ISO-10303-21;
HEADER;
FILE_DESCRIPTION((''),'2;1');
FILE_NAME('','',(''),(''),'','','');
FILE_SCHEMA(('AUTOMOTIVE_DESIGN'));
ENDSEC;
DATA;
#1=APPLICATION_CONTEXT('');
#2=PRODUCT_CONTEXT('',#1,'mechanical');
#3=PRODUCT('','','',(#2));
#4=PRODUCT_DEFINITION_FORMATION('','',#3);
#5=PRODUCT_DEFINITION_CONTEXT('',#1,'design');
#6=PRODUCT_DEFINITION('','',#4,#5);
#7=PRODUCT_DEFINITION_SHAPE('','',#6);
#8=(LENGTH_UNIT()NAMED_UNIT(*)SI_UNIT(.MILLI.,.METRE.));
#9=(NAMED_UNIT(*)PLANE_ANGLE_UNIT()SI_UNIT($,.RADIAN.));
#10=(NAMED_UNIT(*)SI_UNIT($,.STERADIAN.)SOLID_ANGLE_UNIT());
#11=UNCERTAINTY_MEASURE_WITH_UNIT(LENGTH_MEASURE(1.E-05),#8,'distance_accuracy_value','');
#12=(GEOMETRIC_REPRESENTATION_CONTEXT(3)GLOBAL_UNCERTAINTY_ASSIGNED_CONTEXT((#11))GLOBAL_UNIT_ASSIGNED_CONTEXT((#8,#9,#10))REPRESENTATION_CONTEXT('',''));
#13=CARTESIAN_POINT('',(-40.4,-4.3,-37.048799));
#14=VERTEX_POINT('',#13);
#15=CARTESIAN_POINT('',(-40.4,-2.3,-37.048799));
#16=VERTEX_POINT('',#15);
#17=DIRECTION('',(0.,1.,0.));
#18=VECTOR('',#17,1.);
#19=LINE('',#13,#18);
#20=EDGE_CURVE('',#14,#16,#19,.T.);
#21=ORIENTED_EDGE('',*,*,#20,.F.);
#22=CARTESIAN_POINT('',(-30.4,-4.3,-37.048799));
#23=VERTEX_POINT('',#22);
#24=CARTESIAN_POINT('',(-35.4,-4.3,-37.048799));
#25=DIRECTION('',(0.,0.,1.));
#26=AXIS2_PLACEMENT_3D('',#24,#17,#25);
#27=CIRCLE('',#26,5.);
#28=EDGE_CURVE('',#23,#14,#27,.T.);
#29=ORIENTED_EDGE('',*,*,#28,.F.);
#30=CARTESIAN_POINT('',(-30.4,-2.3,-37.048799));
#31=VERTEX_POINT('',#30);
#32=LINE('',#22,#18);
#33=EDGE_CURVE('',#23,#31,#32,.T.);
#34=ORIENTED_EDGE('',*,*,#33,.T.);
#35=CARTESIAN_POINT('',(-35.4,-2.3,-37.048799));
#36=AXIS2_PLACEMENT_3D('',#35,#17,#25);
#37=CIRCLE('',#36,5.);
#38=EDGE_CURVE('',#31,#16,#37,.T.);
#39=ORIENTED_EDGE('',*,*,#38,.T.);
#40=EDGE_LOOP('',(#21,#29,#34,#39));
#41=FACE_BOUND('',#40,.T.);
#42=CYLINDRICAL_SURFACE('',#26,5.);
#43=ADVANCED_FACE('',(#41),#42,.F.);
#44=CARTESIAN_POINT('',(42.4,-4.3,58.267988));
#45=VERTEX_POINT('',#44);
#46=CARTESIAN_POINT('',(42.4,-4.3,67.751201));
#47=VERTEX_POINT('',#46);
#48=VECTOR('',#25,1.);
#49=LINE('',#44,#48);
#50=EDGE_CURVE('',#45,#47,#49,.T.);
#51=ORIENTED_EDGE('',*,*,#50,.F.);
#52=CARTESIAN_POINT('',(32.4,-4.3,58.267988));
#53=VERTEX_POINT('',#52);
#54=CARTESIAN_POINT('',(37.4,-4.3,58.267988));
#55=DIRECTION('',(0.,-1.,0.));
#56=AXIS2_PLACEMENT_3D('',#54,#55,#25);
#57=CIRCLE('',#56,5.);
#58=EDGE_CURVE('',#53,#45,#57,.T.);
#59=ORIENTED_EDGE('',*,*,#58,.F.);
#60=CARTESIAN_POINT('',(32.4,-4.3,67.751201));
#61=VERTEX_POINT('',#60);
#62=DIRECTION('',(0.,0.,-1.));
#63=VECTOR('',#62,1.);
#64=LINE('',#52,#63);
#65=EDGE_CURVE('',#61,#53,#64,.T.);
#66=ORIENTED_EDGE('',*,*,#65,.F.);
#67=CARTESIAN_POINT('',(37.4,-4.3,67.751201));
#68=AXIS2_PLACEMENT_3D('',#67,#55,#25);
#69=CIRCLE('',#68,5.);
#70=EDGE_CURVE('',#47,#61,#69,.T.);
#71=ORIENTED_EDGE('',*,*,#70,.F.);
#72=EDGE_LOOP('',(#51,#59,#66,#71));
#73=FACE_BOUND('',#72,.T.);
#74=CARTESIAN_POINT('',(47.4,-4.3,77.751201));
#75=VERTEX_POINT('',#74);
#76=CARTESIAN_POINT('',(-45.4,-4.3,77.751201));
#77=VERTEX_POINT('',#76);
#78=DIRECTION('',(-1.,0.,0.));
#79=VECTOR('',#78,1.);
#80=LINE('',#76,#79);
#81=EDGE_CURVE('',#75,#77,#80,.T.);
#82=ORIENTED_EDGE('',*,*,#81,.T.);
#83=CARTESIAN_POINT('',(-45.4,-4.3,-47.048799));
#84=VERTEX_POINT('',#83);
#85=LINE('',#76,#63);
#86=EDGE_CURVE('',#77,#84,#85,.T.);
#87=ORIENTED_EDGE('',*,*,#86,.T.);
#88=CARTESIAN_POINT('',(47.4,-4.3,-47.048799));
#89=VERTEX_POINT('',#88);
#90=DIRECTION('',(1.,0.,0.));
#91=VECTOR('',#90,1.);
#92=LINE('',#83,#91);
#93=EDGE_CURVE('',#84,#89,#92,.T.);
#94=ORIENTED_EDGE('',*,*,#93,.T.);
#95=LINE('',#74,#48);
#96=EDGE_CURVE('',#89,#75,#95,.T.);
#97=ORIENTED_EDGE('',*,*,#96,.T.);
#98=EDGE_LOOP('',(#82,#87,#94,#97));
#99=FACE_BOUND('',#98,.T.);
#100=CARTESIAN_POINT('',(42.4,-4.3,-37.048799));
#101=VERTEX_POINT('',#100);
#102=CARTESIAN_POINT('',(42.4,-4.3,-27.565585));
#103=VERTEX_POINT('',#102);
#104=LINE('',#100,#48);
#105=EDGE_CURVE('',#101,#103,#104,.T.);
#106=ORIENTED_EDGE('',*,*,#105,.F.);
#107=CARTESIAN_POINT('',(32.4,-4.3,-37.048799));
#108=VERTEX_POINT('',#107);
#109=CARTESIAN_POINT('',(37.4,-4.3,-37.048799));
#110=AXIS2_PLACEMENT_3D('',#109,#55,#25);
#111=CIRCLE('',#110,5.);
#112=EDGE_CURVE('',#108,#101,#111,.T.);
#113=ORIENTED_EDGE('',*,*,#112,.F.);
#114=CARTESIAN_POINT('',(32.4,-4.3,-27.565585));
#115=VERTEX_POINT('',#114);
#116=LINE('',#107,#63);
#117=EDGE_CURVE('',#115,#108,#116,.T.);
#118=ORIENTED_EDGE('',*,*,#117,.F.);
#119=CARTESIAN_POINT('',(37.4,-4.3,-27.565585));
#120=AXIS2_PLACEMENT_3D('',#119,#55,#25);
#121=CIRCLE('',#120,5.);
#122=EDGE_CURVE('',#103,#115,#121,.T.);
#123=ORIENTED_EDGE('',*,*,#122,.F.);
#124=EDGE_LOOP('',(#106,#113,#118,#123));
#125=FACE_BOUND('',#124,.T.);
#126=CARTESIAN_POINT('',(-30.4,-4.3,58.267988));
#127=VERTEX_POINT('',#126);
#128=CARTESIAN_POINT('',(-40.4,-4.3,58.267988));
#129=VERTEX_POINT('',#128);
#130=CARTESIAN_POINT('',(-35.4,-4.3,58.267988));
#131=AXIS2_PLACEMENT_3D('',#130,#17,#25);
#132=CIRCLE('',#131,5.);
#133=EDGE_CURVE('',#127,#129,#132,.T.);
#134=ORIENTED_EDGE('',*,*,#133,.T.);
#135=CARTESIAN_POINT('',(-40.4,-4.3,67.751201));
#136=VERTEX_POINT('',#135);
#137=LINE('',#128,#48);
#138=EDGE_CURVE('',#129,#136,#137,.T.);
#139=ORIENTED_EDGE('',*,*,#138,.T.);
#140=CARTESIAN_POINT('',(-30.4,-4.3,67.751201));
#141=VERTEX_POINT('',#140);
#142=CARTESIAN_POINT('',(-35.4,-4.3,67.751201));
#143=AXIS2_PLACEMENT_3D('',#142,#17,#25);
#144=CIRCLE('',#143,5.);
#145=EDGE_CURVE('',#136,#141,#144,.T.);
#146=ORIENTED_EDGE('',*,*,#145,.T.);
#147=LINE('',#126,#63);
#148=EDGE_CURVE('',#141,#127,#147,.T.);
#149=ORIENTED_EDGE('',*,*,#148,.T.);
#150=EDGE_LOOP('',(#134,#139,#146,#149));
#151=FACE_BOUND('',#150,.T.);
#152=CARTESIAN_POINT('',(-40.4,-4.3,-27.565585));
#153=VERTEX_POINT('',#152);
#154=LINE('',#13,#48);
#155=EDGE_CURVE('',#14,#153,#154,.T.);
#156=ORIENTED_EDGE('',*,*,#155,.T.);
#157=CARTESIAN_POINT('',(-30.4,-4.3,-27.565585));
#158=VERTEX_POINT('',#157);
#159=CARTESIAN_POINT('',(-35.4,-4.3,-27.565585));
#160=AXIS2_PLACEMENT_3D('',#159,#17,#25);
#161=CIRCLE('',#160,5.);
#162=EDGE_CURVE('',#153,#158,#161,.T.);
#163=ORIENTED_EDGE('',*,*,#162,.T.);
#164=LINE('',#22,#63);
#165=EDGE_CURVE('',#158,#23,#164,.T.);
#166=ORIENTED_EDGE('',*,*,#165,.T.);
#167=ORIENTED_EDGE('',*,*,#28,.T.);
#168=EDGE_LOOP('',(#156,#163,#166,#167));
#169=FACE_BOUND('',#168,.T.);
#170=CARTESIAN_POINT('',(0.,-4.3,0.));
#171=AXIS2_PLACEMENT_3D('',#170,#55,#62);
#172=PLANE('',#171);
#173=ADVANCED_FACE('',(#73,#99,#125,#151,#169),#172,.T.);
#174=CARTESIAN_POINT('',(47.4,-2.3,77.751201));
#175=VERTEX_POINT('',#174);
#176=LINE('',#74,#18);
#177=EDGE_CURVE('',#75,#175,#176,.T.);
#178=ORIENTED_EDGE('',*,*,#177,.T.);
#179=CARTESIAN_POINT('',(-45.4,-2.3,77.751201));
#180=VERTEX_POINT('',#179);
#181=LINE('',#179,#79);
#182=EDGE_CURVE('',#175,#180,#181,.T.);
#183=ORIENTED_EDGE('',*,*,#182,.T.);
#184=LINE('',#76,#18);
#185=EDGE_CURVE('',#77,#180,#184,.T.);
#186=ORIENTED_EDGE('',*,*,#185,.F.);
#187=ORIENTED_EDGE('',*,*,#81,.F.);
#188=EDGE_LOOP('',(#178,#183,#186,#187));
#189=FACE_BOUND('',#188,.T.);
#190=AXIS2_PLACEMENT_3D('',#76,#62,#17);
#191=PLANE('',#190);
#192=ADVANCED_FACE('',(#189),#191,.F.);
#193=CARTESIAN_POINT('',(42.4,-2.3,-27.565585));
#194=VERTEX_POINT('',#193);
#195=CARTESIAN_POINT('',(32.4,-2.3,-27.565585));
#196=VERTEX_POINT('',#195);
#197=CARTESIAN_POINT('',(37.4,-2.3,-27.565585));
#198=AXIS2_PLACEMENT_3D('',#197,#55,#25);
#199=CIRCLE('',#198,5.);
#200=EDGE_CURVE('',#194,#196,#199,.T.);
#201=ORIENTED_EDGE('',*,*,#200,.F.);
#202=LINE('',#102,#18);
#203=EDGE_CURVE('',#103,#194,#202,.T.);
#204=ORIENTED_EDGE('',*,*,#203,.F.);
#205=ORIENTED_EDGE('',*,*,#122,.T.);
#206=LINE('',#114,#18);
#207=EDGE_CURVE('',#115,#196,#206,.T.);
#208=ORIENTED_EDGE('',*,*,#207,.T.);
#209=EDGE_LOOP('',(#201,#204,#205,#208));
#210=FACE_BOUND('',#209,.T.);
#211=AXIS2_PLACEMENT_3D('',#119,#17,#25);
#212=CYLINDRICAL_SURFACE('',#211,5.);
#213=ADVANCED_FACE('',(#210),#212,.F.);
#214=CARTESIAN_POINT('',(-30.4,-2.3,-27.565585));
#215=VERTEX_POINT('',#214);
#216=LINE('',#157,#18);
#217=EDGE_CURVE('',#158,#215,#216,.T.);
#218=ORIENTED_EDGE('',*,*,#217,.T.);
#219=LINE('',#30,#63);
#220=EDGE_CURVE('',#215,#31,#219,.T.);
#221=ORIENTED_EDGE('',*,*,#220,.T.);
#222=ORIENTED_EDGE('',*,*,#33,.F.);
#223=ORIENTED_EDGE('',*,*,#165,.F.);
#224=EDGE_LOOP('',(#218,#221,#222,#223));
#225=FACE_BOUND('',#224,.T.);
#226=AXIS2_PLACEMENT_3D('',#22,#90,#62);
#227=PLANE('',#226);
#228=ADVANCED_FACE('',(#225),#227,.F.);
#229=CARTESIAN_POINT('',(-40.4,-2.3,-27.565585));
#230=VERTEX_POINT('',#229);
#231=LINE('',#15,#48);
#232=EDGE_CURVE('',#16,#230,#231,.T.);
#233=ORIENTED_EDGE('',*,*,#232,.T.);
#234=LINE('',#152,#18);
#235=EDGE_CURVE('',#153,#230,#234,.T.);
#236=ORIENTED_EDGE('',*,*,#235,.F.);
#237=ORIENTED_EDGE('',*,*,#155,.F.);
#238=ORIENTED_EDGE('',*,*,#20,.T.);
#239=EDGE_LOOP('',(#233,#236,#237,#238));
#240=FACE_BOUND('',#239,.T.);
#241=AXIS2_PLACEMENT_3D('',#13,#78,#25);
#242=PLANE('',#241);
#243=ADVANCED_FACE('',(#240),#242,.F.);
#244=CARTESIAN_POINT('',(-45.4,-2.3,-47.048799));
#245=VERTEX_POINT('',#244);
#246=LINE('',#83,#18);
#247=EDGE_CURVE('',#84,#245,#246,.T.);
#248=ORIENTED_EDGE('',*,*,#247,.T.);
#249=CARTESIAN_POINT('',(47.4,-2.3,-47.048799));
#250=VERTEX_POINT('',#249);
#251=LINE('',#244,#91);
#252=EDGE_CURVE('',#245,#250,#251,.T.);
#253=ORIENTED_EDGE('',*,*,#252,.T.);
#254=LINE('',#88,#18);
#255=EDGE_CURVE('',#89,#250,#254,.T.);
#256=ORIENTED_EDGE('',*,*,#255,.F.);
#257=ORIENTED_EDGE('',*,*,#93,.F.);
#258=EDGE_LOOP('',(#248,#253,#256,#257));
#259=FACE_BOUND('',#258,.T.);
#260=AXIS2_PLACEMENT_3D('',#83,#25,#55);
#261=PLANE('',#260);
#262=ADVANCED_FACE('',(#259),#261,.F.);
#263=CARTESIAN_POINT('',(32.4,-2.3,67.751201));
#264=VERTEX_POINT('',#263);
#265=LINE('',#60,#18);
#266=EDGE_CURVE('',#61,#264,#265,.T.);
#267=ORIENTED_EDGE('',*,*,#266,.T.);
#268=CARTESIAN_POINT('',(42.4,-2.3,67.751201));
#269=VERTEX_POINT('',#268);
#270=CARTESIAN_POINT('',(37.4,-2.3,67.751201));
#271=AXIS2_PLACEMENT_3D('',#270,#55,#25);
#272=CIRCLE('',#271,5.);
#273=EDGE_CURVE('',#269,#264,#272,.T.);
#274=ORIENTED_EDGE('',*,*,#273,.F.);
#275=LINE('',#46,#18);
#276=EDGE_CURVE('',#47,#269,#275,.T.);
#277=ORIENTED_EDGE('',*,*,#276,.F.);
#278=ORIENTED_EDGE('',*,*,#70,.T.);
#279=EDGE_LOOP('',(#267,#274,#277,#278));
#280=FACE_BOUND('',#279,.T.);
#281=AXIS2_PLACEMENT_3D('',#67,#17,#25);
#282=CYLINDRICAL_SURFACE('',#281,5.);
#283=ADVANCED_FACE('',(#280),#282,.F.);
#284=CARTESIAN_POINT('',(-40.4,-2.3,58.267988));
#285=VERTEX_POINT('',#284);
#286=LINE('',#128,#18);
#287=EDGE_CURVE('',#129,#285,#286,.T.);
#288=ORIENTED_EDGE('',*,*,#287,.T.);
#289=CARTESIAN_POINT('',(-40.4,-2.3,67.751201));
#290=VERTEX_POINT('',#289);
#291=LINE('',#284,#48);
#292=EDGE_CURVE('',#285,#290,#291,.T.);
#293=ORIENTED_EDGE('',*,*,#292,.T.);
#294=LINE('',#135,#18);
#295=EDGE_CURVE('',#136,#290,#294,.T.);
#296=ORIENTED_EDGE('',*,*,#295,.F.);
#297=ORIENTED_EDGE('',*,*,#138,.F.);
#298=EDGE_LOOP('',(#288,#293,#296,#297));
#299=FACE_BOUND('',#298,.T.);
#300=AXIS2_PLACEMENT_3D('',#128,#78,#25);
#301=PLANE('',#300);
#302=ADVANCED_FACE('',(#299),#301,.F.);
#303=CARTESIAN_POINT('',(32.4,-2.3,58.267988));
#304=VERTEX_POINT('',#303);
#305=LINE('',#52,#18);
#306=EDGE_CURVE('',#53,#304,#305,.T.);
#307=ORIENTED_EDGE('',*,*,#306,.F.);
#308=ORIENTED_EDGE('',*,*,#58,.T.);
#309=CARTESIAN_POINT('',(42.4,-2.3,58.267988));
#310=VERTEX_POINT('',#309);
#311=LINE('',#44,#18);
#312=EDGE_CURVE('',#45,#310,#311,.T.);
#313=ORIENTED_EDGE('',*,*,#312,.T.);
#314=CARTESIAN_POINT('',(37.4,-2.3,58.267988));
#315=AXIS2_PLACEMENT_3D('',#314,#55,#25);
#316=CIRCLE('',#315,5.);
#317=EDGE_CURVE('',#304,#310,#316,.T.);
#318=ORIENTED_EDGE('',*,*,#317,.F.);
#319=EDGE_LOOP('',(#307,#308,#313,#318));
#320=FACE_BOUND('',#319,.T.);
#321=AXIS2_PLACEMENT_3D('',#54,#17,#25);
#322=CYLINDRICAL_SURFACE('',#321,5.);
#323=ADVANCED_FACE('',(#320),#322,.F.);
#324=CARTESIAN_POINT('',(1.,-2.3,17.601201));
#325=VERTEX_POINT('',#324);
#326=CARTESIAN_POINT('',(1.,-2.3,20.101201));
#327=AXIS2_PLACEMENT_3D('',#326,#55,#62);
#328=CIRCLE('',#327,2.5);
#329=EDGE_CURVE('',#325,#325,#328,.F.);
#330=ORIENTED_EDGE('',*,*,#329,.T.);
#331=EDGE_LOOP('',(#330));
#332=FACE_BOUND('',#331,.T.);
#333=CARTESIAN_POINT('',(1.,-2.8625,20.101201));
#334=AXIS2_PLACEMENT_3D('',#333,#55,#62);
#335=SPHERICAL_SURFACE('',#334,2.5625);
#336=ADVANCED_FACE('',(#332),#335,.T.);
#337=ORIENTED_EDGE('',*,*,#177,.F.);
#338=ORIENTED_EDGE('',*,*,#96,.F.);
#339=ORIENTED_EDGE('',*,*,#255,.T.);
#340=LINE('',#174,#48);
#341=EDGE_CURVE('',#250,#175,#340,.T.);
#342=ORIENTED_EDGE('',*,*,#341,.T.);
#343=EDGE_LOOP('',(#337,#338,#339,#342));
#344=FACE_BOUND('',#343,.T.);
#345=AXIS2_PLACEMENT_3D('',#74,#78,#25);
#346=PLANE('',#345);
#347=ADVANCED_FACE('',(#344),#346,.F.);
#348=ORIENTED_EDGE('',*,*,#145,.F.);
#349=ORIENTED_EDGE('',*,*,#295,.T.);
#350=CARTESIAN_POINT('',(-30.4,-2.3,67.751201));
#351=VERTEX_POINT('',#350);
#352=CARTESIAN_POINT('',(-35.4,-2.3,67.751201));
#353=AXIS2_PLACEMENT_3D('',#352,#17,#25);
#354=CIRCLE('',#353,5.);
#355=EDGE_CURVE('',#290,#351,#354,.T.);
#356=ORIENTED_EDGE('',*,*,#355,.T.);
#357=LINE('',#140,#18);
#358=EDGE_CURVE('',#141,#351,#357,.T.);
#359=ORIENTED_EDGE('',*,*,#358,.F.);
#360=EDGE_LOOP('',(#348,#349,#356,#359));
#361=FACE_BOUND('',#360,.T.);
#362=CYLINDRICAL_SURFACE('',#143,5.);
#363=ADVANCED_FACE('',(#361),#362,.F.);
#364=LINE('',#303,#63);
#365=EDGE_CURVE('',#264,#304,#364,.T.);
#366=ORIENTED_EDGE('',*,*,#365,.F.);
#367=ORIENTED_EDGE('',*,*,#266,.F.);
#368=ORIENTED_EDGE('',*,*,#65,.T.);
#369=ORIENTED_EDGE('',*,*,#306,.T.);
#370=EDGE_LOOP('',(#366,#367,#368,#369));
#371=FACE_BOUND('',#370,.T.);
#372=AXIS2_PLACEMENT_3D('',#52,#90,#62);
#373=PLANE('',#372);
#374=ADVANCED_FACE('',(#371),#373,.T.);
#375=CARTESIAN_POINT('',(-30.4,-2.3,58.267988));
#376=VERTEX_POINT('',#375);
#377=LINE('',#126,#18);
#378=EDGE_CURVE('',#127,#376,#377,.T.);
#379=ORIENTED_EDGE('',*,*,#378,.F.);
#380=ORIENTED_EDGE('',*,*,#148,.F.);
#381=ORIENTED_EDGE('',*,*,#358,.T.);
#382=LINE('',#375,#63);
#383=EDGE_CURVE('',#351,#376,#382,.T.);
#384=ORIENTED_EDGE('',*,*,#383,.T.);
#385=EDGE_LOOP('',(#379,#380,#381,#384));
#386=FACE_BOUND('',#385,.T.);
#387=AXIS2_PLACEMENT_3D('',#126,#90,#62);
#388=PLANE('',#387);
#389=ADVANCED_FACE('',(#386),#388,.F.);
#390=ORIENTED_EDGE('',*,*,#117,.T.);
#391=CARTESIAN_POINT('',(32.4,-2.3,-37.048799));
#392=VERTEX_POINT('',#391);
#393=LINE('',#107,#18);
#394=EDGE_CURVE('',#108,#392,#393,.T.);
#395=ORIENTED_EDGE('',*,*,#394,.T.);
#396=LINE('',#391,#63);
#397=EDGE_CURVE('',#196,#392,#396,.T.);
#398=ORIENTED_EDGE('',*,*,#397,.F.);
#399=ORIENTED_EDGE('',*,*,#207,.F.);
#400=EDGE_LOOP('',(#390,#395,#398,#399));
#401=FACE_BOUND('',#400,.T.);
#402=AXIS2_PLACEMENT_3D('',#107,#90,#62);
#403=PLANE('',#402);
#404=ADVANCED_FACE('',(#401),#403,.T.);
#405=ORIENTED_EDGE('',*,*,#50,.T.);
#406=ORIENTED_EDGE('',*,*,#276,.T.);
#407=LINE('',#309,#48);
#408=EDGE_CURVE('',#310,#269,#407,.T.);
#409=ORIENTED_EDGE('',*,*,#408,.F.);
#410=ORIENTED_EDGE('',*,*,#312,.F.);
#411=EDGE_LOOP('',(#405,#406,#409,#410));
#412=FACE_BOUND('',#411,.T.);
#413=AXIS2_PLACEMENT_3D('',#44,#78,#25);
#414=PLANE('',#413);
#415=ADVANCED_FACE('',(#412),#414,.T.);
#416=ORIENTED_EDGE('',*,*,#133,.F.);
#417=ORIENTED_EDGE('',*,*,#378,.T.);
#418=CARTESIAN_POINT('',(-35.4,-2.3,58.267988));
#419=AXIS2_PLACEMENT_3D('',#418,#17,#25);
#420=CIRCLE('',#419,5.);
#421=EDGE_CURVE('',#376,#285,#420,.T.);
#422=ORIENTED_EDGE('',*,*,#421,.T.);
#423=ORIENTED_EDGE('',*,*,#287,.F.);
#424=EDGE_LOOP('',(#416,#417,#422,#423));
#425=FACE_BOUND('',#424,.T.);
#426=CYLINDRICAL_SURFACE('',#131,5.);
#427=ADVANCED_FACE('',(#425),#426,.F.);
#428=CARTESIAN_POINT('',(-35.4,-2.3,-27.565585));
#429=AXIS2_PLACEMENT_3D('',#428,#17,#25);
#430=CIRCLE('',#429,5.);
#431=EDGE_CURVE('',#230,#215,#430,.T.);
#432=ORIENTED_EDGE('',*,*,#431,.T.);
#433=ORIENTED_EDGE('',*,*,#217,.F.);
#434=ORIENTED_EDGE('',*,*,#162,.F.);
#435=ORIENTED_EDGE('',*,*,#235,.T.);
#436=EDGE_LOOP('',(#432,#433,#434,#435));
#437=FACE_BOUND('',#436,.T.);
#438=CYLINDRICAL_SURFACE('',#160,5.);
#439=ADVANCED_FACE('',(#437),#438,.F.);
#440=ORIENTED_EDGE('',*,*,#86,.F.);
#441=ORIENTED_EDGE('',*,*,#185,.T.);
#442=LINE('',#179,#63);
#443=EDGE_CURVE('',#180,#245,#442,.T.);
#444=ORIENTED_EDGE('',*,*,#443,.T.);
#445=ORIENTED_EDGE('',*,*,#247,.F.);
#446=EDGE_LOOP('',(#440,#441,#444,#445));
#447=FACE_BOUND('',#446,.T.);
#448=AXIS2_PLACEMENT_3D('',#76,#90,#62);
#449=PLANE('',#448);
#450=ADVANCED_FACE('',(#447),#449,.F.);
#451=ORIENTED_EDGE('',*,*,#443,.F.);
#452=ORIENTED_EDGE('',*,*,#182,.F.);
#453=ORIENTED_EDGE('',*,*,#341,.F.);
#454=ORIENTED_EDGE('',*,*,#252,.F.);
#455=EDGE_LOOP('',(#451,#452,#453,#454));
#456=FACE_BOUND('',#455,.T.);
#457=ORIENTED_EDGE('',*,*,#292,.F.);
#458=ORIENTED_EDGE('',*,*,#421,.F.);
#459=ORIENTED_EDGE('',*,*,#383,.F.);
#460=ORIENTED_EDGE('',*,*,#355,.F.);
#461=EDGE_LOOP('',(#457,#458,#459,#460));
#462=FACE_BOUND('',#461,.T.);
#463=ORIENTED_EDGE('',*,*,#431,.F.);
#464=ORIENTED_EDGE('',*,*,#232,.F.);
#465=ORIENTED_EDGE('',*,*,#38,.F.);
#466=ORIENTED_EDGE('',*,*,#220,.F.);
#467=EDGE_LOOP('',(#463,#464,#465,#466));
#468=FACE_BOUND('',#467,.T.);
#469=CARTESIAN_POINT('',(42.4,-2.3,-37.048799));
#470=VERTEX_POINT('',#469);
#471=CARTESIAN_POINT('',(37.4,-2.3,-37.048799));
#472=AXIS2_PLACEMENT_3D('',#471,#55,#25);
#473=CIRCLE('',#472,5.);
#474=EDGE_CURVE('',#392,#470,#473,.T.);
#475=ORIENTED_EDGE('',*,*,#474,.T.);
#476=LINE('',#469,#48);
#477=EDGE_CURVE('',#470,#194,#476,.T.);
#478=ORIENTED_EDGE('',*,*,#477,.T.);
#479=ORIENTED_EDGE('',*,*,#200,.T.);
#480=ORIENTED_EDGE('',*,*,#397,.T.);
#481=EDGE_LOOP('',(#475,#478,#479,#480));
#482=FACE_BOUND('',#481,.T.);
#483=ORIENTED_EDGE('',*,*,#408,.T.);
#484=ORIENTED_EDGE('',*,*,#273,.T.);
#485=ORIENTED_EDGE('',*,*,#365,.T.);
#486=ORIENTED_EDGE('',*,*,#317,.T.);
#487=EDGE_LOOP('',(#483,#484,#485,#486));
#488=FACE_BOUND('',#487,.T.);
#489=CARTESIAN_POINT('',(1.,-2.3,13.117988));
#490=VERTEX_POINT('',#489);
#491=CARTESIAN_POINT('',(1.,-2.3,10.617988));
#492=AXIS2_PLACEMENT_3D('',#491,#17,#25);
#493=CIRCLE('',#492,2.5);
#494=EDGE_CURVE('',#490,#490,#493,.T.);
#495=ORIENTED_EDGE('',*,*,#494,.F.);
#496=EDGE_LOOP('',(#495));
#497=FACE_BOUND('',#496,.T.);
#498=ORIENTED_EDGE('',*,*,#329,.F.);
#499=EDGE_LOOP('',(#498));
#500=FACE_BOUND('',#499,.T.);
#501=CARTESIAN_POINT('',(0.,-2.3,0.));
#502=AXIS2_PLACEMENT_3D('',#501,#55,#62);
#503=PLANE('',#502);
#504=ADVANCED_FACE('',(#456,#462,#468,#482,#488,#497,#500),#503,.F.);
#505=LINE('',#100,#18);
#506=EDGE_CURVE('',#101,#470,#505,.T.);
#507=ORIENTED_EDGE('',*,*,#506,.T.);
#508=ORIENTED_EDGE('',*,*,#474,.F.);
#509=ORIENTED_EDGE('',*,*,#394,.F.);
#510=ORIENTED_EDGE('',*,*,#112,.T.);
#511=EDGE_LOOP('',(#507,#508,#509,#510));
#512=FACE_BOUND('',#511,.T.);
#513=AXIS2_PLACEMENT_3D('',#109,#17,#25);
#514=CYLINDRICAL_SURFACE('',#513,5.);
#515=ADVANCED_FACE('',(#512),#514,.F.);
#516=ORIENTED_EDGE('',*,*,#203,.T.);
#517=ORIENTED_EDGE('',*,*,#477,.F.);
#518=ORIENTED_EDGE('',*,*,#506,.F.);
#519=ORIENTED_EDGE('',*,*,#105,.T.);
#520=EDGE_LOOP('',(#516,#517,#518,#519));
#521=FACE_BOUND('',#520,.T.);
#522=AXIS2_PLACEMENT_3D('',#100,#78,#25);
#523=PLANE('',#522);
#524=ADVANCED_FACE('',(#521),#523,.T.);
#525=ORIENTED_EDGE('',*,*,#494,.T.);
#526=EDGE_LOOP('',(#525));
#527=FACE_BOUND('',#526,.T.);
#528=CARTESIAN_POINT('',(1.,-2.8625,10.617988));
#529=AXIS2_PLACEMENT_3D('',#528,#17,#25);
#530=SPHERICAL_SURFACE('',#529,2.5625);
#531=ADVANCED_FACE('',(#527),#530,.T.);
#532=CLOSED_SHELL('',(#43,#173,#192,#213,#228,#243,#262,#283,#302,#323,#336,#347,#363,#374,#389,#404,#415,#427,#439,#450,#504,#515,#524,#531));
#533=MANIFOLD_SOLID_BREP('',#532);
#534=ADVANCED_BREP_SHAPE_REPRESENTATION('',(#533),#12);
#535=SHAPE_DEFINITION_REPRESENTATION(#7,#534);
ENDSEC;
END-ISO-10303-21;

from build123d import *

# Parameters (mm, degrees)
SKETCH1_W           = 92.8
SKETCH1_H           = 124.8
BOSS_EXTRUDE1_DEPTH = 2
CUT_EXTRUDE1_DEPTH  = 92.082431134


with BuildPart() as part:
    # Sketch1 → Boss-Extrude1 (new body)
    with BuildSketch(Plane(origin=(0, -2.3, 0), x_dir=(-1, 0, 0), z_dir=(0, -1, 0))):
        with Locations((-1, -15.351201027)):
            Rectangle(SKETCH1_W, SKETCH1_H)
    extrude(amount=BOSS_EXTRUDE1_DEPTH)

    # Sketch3 → Revolve2 (revolve)
    with BuildSketch(Plane.ZY.offset(-1), mode=Mode.PRIVATE) as revolve2_sk:
        with BuildLine():
            Line((8.11798754, -2.3), (10.61798754, -2.3))
            Line((10.61798754, -2.3), (10.61798754, -0.3))
            ThreePointArc((10.61798754, -0.3), (9.017206481, -0.861523676), (8.11798754, -2.3))
        make_face()
    revolve(revolve2_sk.sketch.rotate(Axis((1, -0.3, 10.61798754), (0, -1, 0)), 180), axis=Axis((1, -0.3, 10.61798754), (0, -1, 0)))

    # Sketch5 → Revolve3 (revolve)
    with BuildSketch(Plane.ZY.offset(-1)):
        with BuildLine():
            Line((20.10120103, -2.3), (20.10120103, -0.3))
            ThreePointArc((20.10120103, -0.3), (18.500419971, -0.861523676), (17.60120103, -2.3))
            Line((17.60120103, -2.3), (20.10120103, -2.3))
        make_face()
    revolve(axis=Axis((1, -2.3, 20.10120103), (0, 1, 0)))

    # Sketch6 → Cut-Extrude1 (cut, through all)
    with BuildSketch(Plane(origin=(0, -2.3, 0), x_dir=(1, 0, 0), z_dir=(0, 1, 0))):
        with BuildLine():
            Line((-30.4, 37.048798973), (-30.4, 27.565585483))
            ThreePointArc((-30.4, 27.565585483), (-35.4, 22.565585483), (-40.4, 27.565585483))
            Line((-40.4, 27.565585483), (-40.4, 37.048798973))
            ThreePointArc((-40.4, 37.048798973), (-35.4, 42.048798973), (-30.4, 37.048798973))
        make_face()
        with BuildLine():
            Line((-30.4, -58.267987537), (-30.4, -67.751201027))
            ThreePointArc((-30.4, -67.751201027), (-35.4, -72.751201027), (-40.4, -67.751201027))
            Line((-40.4, -67.751201027), (-40.4, -58.267987537))
            ThreePointArc((-40.4, -58.267987537), (-35.4, -53.267987537), (-30.4, -58.267987537))
        make_face()
    cut_extrude1 = extrude(amount=-CUT_EXTRUDE1_DEPTH, mode=Mode.SUBTRACT)

    # Mirror1: Cut-Extrude1 across plane
    add(cut_extrude1.mirror(Plane.ZY.offset(-1)), mode=Mode.SUBTRACT)


solid = part.part
